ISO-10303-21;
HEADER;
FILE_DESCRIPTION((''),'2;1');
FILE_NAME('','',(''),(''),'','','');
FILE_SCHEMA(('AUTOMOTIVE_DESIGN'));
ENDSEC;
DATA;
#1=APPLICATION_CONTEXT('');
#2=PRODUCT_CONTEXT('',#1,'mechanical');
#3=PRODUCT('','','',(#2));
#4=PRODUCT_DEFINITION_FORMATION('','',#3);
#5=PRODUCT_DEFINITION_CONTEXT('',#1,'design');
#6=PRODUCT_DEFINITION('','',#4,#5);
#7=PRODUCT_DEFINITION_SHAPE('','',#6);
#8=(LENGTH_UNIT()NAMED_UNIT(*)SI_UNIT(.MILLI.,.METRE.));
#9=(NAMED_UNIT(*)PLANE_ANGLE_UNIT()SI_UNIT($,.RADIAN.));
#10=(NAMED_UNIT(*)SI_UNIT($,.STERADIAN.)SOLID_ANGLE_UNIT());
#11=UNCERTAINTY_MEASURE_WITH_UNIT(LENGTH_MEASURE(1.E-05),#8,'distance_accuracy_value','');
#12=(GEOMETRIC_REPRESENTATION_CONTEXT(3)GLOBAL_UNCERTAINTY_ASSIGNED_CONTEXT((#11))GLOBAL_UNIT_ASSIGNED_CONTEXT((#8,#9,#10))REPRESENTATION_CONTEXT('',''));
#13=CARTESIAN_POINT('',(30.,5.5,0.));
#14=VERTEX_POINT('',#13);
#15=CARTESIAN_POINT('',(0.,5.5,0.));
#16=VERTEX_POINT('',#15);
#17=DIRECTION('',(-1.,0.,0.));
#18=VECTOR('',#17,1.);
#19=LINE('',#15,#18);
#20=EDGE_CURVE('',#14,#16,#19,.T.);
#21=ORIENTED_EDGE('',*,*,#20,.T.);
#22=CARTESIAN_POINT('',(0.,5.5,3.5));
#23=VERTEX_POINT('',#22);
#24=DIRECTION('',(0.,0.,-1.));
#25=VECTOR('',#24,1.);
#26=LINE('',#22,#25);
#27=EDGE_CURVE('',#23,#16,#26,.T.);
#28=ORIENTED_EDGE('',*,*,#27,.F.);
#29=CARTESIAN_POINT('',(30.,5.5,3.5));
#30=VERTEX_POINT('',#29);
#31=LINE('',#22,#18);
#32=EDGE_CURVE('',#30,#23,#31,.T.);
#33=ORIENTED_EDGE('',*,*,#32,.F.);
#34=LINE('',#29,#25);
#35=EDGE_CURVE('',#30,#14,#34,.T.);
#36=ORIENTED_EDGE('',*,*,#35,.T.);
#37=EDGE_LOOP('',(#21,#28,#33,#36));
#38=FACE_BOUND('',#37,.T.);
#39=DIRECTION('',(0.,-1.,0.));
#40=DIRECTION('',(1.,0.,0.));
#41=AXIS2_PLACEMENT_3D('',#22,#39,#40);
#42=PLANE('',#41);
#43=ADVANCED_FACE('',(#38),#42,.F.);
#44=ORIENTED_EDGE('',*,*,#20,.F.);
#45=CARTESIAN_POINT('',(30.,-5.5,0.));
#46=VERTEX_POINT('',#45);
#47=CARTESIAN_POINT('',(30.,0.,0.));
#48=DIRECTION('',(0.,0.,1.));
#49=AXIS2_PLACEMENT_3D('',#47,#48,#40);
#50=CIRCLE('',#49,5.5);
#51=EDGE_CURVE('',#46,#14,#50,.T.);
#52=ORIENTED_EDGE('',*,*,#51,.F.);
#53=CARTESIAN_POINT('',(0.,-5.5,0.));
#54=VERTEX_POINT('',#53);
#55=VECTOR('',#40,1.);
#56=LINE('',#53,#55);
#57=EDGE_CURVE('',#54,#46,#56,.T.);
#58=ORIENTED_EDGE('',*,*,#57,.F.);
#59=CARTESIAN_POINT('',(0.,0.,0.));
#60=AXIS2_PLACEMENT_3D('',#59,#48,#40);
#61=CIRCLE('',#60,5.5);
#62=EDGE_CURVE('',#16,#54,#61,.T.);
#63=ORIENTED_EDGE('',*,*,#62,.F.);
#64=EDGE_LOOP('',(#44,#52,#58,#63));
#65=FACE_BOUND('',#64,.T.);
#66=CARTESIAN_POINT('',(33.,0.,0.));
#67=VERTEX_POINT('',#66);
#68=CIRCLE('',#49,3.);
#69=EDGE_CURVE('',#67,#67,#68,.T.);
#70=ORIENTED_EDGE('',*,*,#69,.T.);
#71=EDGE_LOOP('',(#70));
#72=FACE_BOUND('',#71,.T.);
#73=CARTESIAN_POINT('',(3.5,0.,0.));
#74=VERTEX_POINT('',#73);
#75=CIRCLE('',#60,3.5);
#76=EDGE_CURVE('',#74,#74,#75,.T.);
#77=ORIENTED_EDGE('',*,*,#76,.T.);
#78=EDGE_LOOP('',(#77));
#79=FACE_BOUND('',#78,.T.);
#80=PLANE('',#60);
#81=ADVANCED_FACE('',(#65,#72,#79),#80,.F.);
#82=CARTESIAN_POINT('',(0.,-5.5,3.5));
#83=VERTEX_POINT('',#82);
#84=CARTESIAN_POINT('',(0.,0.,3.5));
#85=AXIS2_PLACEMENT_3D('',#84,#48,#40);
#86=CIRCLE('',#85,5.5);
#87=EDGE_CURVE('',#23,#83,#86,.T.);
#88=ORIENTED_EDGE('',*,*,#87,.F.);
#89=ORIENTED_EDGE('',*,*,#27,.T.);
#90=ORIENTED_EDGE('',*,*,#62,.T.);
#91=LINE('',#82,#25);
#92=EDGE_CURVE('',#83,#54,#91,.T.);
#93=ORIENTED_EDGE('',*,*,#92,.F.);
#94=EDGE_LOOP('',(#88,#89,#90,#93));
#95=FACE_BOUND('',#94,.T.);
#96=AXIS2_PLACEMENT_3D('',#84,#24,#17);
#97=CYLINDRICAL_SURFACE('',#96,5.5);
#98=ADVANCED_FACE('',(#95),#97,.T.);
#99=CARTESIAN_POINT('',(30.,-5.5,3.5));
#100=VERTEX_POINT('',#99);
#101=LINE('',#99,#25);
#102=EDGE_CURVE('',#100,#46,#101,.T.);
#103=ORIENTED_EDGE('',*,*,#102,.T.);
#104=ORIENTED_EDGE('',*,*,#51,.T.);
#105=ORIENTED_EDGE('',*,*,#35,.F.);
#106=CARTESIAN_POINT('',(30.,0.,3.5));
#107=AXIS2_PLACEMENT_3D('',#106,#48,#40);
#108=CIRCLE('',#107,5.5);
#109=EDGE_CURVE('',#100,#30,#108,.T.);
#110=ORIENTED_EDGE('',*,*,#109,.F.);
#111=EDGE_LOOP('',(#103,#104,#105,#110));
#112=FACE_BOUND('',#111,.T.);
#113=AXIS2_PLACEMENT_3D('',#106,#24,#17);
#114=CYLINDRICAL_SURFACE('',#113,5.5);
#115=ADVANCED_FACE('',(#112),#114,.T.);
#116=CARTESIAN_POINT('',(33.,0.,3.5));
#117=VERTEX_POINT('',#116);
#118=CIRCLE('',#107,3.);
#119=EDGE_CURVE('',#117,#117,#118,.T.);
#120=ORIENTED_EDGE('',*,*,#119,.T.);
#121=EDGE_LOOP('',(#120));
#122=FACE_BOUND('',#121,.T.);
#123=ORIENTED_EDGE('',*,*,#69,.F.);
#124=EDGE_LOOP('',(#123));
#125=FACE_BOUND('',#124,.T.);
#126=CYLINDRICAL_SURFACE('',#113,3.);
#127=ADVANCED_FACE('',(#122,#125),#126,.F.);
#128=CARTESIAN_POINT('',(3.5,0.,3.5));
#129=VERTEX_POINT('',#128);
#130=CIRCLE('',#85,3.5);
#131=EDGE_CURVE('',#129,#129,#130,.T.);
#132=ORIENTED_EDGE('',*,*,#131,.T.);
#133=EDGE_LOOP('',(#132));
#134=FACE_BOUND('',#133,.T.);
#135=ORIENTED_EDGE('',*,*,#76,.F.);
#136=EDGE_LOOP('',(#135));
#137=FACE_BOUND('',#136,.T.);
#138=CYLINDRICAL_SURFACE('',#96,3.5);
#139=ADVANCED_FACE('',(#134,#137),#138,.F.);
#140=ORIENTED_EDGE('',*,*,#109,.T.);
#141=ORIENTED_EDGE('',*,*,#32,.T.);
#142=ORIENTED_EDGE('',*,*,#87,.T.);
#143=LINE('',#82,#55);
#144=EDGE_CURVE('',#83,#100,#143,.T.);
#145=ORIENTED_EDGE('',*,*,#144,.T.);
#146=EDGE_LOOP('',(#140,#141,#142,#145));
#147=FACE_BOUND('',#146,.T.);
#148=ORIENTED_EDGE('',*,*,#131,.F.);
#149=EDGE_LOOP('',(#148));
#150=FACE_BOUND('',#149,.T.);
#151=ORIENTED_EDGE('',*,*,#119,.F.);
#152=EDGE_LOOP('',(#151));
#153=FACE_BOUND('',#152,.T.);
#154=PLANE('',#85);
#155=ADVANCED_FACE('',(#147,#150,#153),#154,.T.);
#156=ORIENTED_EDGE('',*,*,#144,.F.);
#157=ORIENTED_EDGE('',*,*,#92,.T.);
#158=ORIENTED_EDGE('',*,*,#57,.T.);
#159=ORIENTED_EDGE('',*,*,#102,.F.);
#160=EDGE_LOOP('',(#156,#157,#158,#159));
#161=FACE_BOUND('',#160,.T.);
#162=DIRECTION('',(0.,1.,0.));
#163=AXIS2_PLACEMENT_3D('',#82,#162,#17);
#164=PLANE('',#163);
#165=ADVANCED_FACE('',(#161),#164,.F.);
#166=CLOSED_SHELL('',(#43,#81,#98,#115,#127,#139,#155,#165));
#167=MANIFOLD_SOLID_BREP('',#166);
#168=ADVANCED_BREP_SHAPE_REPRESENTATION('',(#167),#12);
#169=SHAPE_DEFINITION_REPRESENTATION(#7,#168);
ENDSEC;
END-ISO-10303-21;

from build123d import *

# Parameters (mm, degrees)
SKETCH1_R           = 3.5
SKETCH1_R_2         = 3
BOSS_EXTRUDE1_DEPTH = 3.5


with BuildPart() as part:
    # Sketch1 → Boss-Extrude1 (new body)
    with BuildSketch(Plane.XY):
        with BuildLine():
            Line((0, 5.5), (30, 5.5))
            ThreePointArc((30, 5.5), (35.5, 0), (30, -5.5))
            Line((30, -5.5), (0, -5.5))
            ThreePointArc((0, -5.5), (-5.5, 0), (0, 5.5))
        make_face()
        Circle(SKETCH1_R, mode=Mode.SUBTRACT)
        with Locations((30, 0)):
            Circle(SKETCH1_R_2, mode=Mode.SUBTRACT)
    extrude(amount=BOSS_EXTRUDE1_DEPTH)


solid = part.part
